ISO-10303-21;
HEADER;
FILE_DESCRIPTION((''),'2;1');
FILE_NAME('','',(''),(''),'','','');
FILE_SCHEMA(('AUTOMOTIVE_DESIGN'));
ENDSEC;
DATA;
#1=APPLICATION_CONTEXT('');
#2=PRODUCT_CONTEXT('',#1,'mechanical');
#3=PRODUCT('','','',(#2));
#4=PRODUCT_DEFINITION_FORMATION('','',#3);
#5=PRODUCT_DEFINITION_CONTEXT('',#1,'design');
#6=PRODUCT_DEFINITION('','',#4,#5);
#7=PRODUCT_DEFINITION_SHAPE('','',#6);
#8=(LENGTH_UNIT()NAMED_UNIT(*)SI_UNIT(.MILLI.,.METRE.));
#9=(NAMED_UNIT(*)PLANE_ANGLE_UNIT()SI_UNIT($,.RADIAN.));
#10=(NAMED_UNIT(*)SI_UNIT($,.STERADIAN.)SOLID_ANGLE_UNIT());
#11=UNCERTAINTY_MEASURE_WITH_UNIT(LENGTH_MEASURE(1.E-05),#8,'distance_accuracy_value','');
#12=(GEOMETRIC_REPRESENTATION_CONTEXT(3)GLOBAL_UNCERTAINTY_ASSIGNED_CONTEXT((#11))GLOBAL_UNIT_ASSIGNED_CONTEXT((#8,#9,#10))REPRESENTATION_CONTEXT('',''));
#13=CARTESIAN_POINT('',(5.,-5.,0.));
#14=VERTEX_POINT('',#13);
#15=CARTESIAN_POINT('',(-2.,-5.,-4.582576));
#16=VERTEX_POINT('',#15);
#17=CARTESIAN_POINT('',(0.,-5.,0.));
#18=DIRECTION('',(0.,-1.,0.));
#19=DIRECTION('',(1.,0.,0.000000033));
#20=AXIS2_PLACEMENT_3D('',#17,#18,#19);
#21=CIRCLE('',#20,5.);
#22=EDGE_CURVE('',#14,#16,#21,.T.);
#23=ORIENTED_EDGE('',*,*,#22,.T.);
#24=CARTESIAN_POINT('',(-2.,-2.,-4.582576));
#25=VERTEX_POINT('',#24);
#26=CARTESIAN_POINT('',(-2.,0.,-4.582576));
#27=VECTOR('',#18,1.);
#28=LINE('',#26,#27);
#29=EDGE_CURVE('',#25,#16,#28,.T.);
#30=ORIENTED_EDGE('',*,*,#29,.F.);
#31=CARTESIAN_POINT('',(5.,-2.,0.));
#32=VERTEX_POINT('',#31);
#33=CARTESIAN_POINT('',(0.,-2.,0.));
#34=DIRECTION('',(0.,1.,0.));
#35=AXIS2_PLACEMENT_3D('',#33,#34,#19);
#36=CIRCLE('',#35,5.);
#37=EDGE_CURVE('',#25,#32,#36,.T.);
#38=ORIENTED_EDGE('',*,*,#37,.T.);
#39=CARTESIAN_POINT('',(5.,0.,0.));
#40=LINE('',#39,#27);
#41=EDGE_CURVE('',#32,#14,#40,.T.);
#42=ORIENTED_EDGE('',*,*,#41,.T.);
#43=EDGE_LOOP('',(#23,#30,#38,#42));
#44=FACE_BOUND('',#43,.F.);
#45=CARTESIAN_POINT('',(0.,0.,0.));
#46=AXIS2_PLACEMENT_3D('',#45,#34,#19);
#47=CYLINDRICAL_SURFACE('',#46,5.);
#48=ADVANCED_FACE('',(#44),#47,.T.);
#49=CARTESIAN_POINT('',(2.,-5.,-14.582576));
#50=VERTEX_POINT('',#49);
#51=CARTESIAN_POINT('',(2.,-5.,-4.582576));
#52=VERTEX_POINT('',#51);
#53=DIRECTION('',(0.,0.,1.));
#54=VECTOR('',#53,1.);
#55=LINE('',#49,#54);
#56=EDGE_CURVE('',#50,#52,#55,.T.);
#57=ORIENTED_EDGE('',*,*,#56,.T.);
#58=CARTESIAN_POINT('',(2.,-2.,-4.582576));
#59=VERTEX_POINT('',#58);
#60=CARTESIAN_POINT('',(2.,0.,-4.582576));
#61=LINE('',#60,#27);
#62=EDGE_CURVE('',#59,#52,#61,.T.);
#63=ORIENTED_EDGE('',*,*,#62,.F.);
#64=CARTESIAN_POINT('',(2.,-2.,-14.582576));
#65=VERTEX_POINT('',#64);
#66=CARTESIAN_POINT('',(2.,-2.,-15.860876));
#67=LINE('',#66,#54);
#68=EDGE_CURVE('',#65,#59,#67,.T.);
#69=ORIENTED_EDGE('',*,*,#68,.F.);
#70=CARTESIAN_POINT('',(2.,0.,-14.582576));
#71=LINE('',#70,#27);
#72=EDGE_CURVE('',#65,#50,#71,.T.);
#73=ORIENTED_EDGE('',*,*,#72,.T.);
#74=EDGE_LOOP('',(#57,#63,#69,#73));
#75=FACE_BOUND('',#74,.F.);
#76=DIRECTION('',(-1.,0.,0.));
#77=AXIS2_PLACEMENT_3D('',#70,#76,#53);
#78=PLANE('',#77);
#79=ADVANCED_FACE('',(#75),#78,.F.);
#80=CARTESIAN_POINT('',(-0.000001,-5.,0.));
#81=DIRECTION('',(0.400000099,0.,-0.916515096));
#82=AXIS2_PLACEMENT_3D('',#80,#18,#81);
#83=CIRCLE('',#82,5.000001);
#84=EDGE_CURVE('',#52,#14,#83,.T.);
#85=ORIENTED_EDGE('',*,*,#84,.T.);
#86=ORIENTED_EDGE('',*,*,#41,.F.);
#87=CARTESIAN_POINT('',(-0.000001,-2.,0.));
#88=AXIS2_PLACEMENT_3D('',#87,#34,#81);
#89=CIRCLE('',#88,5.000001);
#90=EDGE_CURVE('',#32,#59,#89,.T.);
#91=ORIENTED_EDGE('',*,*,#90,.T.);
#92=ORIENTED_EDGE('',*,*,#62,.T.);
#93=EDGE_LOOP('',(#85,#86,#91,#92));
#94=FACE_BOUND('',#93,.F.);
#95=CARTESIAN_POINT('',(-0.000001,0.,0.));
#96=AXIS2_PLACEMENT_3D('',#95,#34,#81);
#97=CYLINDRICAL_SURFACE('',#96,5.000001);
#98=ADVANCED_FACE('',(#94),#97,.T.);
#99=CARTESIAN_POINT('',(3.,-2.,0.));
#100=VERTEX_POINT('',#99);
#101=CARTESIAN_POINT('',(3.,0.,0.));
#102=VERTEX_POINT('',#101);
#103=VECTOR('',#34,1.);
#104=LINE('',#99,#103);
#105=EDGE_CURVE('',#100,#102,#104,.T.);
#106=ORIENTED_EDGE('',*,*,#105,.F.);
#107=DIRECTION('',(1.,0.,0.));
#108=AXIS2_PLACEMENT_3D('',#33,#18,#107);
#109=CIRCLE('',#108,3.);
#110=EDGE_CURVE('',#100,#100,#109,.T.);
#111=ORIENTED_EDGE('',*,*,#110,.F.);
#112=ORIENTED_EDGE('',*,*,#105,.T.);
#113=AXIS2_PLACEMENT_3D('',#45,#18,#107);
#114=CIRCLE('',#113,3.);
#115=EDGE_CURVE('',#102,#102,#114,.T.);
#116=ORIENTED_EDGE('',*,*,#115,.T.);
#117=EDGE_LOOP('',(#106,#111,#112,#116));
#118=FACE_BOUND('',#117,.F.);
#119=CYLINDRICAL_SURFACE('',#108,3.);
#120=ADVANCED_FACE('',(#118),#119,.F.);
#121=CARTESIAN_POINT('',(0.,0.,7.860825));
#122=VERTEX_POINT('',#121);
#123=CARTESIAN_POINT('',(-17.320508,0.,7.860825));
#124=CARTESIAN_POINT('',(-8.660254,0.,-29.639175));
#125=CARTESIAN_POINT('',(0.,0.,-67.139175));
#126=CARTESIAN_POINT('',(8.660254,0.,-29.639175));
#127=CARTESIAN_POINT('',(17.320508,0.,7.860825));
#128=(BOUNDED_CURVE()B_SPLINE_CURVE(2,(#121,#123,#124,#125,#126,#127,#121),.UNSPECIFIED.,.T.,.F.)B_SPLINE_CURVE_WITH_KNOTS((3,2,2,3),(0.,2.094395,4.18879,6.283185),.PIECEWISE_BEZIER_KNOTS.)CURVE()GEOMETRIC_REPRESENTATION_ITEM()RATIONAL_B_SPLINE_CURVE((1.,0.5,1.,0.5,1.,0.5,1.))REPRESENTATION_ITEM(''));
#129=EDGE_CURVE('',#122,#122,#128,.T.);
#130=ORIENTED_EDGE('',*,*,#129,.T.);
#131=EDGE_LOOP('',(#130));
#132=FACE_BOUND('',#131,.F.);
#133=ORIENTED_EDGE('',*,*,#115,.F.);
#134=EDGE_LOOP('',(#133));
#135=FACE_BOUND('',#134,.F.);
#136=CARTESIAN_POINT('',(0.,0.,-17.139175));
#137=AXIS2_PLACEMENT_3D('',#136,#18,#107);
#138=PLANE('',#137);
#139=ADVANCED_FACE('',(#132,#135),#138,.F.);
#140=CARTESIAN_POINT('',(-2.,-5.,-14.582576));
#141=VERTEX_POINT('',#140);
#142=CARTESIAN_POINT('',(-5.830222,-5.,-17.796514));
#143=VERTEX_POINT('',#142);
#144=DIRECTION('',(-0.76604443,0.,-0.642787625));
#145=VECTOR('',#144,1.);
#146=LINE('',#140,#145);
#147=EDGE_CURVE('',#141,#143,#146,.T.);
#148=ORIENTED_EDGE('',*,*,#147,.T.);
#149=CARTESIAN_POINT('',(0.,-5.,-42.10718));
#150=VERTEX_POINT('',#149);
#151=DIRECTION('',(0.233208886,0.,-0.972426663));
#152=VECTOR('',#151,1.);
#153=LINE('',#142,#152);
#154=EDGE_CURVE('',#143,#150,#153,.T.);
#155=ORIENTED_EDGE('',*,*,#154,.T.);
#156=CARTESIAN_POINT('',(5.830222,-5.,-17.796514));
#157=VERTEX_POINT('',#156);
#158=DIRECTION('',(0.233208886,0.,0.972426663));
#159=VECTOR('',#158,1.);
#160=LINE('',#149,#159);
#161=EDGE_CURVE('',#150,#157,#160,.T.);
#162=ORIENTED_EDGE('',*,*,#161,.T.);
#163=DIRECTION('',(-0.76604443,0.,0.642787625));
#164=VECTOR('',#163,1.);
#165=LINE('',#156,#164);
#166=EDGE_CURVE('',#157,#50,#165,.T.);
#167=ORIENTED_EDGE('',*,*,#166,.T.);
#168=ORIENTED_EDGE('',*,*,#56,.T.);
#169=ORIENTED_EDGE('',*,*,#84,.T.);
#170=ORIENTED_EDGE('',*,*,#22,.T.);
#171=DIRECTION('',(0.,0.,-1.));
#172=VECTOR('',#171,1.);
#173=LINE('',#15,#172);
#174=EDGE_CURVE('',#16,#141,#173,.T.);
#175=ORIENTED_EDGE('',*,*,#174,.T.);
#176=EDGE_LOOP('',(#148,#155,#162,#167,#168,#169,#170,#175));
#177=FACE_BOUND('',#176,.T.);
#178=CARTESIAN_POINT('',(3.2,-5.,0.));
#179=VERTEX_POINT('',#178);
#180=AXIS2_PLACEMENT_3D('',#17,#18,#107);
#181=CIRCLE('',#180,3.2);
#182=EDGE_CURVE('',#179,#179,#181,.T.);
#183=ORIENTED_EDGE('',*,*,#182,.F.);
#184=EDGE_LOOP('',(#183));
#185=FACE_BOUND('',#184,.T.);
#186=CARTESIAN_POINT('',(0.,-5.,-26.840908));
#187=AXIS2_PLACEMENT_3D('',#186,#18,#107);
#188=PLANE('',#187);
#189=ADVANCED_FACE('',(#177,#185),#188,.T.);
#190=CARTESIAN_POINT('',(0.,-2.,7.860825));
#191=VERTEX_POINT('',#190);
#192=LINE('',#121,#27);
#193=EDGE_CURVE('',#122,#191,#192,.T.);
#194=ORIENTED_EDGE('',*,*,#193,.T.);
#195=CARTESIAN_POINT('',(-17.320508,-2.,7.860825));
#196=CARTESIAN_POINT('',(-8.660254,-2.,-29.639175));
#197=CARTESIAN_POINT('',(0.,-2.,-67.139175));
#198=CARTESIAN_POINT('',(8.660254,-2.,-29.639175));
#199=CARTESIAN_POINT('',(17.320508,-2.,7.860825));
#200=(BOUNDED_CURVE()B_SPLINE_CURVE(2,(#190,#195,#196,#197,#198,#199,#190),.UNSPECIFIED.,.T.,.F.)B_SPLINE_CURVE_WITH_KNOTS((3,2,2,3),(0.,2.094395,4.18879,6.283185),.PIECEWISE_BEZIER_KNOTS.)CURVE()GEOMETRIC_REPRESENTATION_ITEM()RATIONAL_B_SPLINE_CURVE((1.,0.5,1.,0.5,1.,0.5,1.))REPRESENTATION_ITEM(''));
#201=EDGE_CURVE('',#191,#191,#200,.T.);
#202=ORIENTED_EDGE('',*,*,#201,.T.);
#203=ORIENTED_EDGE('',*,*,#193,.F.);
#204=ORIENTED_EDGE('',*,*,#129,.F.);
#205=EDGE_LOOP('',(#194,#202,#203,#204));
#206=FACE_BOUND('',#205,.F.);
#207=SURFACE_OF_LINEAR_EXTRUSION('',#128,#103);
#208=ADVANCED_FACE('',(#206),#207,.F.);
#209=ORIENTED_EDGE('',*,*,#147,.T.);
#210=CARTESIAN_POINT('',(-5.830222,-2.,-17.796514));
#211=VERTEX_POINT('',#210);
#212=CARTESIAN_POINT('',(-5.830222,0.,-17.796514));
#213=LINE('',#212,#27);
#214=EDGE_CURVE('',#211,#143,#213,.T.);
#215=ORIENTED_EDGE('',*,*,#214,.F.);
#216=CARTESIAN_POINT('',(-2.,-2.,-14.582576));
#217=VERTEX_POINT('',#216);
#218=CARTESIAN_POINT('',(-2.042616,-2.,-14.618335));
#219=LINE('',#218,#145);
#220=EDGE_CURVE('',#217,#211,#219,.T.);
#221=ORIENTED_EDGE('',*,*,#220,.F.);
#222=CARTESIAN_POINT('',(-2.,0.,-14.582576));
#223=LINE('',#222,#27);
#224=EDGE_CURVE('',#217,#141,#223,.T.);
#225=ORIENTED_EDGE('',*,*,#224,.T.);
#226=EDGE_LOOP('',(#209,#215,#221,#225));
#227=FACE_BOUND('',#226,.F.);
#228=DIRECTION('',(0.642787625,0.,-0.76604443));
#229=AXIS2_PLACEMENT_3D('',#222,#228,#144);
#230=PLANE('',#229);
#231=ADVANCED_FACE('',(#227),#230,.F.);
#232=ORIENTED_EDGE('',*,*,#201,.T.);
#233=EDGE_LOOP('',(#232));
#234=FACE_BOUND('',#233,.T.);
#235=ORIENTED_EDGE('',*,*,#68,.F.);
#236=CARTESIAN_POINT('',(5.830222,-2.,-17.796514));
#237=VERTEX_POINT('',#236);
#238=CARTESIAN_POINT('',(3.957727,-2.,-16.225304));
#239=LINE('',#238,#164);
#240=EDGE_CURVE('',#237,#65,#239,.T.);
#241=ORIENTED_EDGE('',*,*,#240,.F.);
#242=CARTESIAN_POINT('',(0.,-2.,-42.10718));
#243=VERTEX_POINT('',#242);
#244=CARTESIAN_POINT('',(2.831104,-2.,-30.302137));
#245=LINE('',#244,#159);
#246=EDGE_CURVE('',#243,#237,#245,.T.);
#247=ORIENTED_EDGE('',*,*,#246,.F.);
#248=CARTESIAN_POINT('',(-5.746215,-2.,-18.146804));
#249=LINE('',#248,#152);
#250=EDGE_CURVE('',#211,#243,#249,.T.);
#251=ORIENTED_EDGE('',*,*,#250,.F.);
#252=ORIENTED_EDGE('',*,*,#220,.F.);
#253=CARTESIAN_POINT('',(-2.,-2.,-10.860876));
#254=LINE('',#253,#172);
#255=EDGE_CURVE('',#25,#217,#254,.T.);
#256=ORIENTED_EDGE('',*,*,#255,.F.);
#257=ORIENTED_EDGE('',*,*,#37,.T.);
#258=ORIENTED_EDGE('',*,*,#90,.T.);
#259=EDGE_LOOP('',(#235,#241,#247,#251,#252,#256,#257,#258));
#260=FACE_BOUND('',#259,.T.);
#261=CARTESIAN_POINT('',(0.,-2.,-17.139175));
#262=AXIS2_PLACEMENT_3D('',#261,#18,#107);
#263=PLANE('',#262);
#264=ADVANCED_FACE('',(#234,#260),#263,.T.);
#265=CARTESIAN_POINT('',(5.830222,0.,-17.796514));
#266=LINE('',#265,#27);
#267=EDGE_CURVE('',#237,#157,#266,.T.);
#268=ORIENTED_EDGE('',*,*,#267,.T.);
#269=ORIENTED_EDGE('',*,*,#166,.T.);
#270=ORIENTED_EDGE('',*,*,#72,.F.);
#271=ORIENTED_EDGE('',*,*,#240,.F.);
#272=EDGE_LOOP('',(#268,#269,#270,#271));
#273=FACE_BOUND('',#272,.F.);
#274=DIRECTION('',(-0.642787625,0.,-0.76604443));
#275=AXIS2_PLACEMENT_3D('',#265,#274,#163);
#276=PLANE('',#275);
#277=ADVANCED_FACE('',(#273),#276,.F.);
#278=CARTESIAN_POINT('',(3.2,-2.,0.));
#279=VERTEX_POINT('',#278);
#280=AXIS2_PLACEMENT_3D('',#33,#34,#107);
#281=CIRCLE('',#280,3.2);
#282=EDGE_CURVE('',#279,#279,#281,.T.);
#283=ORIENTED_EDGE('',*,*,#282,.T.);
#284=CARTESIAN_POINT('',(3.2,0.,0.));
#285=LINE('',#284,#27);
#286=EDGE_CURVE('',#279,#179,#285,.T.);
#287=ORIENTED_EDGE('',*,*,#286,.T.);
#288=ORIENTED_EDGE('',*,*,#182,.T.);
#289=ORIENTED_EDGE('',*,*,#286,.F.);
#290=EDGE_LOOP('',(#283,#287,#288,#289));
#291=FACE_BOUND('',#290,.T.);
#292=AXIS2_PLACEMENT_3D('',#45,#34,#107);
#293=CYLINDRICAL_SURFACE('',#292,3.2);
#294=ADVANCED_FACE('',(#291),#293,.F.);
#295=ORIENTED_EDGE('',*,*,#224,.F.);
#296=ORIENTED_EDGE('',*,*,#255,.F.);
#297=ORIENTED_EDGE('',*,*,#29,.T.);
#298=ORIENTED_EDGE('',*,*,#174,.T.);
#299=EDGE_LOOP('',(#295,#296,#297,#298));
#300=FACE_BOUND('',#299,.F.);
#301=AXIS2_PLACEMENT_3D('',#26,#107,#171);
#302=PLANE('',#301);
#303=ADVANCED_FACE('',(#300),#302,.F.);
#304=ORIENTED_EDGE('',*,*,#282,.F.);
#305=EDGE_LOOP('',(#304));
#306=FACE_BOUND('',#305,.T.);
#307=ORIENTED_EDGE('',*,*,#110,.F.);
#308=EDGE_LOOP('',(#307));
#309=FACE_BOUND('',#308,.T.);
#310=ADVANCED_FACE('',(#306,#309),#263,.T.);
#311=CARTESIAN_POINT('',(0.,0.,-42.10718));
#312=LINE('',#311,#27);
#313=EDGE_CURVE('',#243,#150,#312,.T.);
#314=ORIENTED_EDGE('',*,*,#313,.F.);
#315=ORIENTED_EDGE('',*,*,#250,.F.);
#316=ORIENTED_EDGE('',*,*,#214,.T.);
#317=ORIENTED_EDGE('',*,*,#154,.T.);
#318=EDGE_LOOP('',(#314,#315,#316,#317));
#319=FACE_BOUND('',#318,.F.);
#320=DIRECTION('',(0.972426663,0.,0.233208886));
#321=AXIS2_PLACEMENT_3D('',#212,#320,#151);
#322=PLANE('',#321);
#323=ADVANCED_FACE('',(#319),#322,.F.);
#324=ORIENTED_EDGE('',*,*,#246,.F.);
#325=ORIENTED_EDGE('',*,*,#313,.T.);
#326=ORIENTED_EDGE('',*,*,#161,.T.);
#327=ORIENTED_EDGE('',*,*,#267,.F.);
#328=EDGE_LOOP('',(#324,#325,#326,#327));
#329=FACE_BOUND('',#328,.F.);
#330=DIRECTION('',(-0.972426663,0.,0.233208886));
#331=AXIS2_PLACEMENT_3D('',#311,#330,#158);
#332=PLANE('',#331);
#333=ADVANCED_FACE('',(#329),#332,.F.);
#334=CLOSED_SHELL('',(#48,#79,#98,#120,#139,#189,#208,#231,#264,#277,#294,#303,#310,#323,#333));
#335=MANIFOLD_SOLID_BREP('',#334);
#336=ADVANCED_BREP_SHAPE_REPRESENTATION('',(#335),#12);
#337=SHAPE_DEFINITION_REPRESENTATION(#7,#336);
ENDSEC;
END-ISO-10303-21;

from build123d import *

# Parameters (mm, degrees)
F0_R     = 3.2
F1_DEPTH = 5
F3_DEPTH = 2
F4_R     = 3
F5_DEPTH = 5


with BuildPart() as f1:
    # F0 (on Front) → F1 (new body)
    with BuildSketch(Plane.XZ):
        Polygon((2, -14.582576), (-2, -14.582576), (-5.830222, -17.796514), (0, -42.10718), (5.830222, -17.796514), align=None)
        with BuildLine():
            ThreePointArc((2, -4.582576), (0, -5), (-2, -4.582576))
            Line((-2, -4.582576), (-2, -14.582576))
            Line((-2, -14.582576), (2, -14.582576))
            Line((2, -14.582576), (2, -4.582576))
        make_face()
        with BuildLine():
            ThreePointArc((2, -4.582576), (4.1833, -2.738613), (5, 0))
            ThreePointArc((5, 0), (-2.738613, 4.1833), (-2, -4.582576))
            ThreePointArc((-2, -4.582576), (0, -5), (2, -4.582576))
        make_face()
        Circle(F0_R, mode=Mode.SUBTRACT)
    extrude(amount=F1_DEPTH)

    # F2 (on Front) → F3 (join)
    with BuildSketch(Plane.XZ):
        with BuildLine():
            add(Edge.make_bspline(
                [(0, 7.860825), (-17.320508, 7.860825), (-8.660254, -29.639175), (0, -67.139175), (8.660254, -29.639175), (17.320508, 7.860825), (0, 7.860825)],
                knots=[0, 0, 0, 2.094395, 2.094395, 4.18879, 4.18879, 6.283185, 6.283185, 6.283185], degree=2, weights=[1, 0.5, 1, 0.5, 1, 0.5, 1]))
        make_face()
    extrude(amount=F3_DEPTH)

    # F4 (on face) → F5 (cut)
    with BuildSketch(Plane.XZ.offset(2)):
        Circle(F4_R)
    extrude(amount=-F5_DEPTH, mode=Mode.SUBTRACT)


solid = f1.part
